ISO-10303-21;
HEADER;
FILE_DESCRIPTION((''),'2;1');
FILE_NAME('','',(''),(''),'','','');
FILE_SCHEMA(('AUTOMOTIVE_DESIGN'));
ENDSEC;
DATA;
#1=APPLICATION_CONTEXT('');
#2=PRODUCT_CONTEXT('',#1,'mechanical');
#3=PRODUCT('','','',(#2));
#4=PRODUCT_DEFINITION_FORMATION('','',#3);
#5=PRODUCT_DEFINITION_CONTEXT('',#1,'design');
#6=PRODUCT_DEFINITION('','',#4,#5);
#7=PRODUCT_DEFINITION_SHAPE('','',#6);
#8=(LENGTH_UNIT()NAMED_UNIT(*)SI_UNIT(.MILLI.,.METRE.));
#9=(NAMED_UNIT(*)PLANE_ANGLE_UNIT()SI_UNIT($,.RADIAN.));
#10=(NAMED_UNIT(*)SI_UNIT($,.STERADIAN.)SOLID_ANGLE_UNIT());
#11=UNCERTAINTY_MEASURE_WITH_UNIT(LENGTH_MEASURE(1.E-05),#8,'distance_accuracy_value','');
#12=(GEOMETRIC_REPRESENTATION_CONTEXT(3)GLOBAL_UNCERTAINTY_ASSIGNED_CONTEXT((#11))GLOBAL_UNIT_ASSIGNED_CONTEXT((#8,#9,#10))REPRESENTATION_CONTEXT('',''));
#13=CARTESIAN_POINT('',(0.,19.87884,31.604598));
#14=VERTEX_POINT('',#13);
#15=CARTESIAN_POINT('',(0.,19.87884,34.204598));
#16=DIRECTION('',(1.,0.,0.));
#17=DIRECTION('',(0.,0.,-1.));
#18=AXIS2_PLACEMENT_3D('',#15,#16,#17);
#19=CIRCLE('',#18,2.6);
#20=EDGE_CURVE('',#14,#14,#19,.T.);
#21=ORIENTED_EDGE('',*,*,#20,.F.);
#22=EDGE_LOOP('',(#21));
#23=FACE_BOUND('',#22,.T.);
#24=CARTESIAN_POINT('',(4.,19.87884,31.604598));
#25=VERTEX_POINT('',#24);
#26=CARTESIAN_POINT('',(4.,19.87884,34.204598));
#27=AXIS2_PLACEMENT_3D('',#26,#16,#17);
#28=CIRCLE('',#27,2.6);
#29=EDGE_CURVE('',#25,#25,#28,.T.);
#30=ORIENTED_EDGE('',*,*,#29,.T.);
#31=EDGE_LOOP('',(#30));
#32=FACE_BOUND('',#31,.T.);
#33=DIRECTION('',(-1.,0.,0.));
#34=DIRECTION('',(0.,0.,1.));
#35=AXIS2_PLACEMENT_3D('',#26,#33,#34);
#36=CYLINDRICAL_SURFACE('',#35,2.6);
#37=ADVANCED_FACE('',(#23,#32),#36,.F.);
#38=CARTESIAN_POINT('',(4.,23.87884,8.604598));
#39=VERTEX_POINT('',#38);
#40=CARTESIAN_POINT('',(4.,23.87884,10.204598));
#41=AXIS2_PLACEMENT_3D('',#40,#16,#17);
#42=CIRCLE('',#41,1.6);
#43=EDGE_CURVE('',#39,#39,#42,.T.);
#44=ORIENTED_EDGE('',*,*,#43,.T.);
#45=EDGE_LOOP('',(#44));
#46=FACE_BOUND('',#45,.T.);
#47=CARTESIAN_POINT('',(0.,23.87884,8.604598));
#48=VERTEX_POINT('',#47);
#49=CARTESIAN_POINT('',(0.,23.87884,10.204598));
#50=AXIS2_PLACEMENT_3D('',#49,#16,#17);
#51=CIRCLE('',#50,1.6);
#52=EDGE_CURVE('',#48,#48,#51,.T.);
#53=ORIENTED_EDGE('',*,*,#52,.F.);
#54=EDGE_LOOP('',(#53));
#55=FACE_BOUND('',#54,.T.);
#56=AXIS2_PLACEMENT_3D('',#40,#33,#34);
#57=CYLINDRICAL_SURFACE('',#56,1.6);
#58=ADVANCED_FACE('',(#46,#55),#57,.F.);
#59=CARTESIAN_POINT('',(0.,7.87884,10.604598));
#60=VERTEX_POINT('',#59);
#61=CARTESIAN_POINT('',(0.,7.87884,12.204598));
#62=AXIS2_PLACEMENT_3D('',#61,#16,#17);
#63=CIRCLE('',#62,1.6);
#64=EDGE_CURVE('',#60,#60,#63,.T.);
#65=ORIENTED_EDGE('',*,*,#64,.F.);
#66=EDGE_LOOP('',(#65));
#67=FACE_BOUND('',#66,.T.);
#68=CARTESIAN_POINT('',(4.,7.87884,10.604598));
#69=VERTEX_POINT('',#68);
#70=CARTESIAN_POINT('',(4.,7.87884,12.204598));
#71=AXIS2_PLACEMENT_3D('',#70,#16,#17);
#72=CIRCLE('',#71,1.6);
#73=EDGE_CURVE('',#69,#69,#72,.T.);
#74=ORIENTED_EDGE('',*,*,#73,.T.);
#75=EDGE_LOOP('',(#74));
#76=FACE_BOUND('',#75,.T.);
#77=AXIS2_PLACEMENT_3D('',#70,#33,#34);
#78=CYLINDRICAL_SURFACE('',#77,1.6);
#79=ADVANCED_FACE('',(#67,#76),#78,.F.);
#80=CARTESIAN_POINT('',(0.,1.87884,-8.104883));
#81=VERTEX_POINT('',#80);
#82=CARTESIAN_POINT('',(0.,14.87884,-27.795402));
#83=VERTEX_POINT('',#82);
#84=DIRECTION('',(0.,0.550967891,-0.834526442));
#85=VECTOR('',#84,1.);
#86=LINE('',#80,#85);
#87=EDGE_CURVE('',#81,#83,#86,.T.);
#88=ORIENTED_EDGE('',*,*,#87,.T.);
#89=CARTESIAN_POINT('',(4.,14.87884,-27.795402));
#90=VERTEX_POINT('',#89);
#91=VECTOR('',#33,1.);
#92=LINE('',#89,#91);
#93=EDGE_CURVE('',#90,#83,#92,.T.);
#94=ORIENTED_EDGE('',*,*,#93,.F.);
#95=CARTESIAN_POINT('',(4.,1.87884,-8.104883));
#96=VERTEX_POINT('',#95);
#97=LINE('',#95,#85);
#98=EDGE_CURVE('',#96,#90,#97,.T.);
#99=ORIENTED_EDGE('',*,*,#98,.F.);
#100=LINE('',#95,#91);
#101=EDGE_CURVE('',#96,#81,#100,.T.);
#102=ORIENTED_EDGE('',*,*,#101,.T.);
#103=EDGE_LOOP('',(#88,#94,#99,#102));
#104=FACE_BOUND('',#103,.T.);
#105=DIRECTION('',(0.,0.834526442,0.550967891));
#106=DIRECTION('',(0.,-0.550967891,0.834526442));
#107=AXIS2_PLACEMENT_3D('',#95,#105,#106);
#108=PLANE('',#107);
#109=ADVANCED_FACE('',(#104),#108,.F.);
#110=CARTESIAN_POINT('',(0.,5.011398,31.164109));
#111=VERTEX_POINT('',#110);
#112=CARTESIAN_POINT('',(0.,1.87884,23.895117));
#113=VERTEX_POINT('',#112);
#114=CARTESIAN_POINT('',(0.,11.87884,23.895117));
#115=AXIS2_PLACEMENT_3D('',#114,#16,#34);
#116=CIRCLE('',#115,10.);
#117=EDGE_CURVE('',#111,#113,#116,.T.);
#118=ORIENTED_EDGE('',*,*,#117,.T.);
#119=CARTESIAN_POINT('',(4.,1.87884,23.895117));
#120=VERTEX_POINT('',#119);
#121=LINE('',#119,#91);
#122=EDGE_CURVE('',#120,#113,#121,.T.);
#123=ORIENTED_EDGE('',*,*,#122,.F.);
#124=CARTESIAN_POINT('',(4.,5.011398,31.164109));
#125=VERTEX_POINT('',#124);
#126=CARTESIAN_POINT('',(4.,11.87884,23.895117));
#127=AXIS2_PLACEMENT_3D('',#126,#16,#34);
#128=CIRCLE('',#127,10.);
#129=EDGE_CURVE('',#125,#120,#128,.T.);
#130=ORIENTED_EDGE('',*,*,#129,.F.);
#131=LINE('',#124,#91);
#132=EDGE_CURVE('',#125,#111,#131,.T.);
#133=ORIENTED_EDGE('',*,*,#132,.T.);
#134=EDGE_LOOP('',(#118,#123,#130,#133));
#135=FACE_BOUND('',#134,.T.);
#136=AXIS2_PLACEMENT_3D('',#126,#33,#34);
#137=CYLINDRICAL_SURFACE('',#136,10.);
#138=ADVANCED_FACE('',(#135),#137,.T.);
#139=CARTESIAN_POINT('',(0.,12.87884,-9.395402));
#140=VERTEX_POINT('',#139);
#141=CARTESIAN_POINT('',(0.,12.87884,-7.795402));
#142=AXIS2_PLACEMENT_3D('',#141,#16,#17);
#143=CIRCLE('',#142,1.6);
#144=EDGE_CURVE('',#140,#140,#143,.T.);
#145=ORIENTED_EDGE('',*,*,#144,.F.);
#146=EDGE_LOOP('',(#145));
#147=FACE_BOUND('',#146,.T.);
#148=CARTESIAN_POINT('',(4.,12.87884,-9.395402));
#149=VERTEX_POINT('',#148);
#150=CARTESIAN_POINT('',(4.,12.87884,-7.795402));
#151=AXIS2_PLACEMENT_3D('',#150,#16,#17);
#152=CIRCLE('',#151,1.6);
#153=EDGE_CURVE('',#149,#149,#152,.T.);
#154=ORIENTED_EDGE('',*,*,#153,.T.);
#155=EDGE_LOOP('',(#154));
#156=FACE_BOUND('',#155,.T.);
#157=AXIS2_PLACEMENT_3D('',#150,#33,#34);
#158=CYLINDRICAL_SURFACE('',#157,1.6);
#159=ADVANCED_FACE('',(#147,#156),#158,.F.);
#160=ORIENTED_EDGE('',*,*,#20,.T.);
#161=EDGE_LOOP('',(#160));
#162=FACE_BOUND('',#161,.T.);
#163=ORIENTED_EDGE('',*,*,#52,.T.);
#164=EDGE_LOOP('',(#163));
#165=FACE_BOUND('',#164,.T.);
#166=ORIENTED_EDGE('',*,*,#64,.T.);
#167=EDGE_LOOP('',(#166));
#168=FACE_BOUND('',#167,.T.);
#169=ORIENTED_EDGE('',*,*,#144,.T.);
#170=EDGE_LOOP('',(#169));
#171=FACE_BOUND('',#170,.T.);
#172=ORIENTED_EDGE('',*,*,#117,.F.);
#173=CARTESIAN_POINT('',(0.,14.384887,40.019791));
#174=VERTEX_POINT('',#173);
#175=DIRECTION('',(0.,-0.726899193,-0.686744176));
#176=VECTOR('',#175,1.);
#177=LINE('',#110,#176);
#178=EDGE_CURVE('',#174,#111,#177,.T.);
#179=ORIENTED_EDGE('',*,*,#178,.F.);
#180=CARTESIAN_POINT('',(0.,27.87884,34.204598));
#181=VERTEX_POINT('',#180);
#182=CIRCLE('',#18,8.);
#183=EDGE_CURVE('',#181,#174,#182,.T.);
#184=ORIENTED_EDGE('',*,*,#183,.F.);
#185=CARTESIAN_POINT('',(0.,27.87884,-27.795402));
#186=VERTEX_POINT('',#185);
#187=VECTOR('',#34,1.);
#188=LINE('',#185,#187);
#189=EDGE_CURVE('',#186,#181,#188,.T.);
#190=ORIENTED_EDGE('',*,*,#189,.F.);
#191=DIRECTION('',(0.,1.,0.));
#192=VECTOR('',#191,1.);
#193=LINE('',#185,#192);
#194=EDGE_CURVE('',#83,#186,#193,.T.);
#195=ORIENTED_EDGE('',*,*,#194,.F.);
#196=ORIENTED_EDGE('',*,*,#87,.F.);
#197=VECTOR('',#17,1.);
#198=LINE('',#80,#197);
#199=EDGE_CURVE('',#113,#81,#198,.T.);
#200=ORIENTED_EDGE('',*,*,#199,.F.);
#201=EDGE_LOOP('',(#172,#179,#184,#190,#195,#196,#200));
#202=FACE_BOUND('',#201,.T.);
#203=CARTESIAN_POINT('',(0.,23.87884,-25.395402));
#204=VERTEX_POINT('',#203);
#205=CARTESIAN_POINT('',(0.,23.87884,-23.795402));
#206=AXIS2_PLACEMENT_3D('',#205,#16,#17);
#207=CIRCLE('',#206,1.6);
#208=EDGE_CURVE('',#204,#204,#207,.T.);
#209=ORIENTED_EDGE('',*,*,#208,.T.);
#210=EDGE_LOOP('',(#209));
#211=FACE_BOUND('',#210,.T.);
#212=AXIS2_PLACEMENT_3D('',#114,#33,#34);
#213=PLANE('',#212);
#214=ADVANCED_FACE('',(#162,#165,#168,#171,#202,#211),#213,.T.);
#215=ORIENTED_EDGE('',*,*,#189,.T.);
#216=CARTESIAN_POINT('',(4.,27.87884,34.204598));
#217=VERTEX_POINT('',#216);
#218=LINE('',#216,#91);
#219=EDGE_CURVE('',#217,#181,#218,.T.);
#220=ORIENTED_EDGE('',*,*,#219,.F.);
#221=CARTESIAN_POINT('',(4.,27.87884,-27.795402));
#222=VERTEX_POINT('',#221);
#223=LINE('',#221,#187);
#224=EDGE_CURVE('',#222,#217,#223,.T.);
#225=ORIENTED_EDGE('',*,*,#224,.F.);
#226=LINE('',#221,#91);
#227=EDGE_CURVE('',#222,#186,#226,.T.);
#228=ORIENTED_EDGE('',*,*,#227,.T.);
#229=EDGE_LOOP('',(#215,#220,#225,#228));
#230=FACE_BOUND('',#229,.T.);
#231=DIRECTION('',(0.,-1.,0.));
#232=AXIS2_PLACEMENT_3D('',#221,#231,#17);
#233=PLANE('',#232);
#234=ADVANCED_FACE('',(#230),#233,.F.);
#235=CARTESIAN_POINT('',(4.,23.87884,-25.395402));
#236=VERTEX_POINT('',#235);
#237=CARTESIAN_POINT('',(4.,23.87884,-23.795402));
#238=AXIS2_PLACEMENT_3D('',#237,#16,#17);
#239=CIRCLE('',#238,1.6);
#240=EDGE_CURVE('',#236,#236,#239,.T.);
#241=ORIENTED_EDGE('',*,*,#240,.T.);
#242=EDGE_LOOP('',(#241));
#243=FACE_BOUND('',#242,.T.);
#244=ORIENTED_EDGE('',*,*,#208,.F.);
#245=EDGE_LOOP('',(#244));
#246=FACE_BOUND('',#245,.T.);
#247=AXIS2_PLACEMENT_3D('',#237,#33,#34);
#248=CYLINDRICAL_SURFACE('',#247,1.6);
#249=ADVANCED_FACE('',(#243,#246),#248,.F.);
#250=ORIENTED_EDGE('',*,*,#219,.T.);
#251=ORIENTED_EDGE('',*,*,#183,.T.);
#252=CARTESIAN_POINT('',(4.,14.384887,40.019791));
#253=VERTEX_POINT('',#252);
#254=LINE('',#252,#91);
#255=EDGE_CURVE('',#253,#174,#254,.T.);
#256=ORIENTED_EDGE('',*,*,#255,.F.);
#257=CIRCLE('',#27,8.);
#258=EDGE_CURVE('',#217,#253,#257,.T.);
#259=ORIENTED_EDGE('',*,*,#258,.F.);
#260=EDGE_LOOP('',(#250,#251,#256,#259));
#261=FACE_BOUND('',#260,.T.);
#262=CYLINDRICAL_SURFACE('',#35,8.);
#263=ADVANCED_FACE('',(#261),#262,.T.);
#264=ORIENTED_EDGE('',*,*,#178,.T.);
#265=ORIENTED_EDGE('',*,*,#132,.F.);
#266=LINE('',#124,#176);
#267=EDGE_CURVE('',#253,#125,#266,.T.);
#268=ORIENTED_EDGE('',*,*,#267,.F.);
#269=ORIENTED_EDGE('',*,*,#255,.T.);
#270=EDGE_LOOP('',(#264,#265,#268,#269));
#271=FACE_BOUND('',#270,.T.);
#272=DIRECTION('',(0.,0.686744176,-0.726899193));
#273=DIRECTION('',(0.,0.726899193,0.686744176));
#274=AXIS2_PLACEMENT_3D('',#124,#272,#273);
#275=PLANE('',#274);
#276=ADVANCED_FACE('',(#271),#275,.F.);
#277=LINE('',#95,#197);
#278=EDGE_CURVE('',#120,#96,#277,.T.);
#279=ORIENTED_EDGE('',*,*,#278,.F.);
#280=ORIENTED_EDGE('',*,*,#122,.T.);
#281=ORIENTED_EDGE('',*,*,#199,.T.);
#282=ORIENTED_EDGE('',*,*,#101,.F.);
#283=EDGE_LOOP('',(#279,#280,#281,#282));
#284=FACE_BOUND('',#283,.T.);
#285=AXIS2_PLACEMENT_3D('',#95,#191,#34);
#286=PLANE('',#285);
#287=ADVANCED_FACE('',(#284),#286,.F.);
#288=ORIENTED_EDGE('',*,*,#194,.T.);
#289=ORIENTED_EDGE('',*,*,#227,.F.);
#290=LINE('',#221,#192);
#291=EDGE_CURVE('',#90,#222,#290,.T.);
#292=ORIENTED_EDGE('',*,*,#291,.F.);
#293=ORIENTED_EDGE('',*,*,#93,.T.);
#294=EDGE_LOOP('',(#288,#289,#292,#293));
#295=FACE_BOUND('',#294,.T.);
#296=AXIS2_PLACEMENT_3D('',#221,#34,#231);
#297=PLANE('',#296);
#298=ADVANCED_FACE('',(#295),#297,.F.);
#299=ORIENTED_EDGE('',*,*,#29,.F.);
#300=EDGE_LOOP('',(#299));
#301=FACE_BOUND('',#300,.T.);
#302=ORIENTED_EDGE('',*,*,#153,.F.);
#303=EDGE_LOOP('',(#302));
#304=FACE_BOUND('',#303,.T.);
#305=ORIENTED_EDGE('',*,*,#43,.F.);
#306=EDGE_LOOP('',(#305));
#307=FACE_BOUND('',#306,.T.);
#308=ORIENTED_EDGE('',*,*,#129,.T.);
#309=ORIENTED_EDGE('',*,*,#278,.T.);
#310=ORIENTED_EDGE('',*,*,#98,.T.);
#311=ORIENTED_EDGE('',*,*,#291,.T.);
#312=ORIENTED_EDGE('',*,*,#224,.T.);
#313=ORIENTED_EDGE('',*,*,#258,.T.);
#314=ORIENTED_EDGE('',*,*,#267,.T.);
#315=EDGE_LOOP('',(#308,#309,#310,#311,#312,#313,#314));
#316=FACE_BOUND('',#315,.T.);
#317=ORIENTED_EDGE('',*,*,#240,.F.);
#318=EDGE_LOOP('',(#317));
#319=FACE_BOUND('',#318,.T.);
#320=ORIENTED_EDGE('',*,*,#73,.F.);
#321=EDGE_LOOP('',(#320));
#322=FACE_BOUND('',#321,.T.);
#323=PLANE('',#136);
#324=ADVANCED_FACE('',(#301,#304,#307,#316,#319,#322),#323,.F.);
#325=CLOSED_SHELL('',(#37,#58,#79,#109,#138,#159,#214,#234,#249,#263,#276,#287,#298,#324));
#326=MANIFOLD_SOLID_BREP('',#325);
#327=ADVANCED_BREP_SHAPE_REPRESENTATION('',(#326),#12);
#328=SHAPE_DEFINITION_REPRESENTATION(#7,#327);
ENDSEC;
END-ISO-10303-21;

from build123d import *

# Parameters (mm, degrees)
SKETCH_1_R      = 1.6
SKETCH_1_R_2    = 2.6
EXTRUDE_1_DEPTH = 4


with BuildPart() as part:
    # 草图1 → 凸台-拉伸1 (new body)
    with BuildSketch(Plane(origin=(0, 0, 0), x_dir=(0, 0, -1), z_dir=(1, 0, 0))):
        with BuildLine():
            Line((8.104883027, 1.878840053), (27.795402052, 14.878840053))
            Line((27.795402052, 14.878840053), (27.795402052, 27.878840053))
            Line((27.795402052, 27.878840053), (-34.204597948, 27.878840053))
            ThreePointArc((-34.204597948, 27.878840053), (-41.551421317, 23.044939607), (-40.019791495, 14.384886649))
            Line((-40.019791495, 14.384886649), (-31.164108907, 5.011398298))
            ThreePointArc((-31.164108907, 5.011398298), (-27.852741415, 2.695310842), (-23.895116973, 1.878840053))
            Line((-23.895116973, 1.878840053), (8.104883027, 1.878840053))
        make_face()
        with Locations((23.795402052, 23.878840053)):
            Circle(SKETCH_1_R, mode=Mode.SUBTRACT)
        with Locations((-10.204597948, 23.878840053)):
            Circle(SKETCH_1_R, mode=Mode.SUBTRACT)
        with Locations((7.795402052, 12.878840053)):
            Circle(SKETCH_1_R, mode=Mode.SUBTRACT)
        with Locations((-12.204597948, 7.878840053)):
            Circle(SKETCH_1_R, mode=Mode.SUBTRACT)
        with Locations((-34.204597948, 19.878840053)):
            Circle(SKETCH_1_R_2, mode=Mode.SUBTRACT)
    extrude(amount=EXTRUDE_1_DEPTH)


solid = part.part
